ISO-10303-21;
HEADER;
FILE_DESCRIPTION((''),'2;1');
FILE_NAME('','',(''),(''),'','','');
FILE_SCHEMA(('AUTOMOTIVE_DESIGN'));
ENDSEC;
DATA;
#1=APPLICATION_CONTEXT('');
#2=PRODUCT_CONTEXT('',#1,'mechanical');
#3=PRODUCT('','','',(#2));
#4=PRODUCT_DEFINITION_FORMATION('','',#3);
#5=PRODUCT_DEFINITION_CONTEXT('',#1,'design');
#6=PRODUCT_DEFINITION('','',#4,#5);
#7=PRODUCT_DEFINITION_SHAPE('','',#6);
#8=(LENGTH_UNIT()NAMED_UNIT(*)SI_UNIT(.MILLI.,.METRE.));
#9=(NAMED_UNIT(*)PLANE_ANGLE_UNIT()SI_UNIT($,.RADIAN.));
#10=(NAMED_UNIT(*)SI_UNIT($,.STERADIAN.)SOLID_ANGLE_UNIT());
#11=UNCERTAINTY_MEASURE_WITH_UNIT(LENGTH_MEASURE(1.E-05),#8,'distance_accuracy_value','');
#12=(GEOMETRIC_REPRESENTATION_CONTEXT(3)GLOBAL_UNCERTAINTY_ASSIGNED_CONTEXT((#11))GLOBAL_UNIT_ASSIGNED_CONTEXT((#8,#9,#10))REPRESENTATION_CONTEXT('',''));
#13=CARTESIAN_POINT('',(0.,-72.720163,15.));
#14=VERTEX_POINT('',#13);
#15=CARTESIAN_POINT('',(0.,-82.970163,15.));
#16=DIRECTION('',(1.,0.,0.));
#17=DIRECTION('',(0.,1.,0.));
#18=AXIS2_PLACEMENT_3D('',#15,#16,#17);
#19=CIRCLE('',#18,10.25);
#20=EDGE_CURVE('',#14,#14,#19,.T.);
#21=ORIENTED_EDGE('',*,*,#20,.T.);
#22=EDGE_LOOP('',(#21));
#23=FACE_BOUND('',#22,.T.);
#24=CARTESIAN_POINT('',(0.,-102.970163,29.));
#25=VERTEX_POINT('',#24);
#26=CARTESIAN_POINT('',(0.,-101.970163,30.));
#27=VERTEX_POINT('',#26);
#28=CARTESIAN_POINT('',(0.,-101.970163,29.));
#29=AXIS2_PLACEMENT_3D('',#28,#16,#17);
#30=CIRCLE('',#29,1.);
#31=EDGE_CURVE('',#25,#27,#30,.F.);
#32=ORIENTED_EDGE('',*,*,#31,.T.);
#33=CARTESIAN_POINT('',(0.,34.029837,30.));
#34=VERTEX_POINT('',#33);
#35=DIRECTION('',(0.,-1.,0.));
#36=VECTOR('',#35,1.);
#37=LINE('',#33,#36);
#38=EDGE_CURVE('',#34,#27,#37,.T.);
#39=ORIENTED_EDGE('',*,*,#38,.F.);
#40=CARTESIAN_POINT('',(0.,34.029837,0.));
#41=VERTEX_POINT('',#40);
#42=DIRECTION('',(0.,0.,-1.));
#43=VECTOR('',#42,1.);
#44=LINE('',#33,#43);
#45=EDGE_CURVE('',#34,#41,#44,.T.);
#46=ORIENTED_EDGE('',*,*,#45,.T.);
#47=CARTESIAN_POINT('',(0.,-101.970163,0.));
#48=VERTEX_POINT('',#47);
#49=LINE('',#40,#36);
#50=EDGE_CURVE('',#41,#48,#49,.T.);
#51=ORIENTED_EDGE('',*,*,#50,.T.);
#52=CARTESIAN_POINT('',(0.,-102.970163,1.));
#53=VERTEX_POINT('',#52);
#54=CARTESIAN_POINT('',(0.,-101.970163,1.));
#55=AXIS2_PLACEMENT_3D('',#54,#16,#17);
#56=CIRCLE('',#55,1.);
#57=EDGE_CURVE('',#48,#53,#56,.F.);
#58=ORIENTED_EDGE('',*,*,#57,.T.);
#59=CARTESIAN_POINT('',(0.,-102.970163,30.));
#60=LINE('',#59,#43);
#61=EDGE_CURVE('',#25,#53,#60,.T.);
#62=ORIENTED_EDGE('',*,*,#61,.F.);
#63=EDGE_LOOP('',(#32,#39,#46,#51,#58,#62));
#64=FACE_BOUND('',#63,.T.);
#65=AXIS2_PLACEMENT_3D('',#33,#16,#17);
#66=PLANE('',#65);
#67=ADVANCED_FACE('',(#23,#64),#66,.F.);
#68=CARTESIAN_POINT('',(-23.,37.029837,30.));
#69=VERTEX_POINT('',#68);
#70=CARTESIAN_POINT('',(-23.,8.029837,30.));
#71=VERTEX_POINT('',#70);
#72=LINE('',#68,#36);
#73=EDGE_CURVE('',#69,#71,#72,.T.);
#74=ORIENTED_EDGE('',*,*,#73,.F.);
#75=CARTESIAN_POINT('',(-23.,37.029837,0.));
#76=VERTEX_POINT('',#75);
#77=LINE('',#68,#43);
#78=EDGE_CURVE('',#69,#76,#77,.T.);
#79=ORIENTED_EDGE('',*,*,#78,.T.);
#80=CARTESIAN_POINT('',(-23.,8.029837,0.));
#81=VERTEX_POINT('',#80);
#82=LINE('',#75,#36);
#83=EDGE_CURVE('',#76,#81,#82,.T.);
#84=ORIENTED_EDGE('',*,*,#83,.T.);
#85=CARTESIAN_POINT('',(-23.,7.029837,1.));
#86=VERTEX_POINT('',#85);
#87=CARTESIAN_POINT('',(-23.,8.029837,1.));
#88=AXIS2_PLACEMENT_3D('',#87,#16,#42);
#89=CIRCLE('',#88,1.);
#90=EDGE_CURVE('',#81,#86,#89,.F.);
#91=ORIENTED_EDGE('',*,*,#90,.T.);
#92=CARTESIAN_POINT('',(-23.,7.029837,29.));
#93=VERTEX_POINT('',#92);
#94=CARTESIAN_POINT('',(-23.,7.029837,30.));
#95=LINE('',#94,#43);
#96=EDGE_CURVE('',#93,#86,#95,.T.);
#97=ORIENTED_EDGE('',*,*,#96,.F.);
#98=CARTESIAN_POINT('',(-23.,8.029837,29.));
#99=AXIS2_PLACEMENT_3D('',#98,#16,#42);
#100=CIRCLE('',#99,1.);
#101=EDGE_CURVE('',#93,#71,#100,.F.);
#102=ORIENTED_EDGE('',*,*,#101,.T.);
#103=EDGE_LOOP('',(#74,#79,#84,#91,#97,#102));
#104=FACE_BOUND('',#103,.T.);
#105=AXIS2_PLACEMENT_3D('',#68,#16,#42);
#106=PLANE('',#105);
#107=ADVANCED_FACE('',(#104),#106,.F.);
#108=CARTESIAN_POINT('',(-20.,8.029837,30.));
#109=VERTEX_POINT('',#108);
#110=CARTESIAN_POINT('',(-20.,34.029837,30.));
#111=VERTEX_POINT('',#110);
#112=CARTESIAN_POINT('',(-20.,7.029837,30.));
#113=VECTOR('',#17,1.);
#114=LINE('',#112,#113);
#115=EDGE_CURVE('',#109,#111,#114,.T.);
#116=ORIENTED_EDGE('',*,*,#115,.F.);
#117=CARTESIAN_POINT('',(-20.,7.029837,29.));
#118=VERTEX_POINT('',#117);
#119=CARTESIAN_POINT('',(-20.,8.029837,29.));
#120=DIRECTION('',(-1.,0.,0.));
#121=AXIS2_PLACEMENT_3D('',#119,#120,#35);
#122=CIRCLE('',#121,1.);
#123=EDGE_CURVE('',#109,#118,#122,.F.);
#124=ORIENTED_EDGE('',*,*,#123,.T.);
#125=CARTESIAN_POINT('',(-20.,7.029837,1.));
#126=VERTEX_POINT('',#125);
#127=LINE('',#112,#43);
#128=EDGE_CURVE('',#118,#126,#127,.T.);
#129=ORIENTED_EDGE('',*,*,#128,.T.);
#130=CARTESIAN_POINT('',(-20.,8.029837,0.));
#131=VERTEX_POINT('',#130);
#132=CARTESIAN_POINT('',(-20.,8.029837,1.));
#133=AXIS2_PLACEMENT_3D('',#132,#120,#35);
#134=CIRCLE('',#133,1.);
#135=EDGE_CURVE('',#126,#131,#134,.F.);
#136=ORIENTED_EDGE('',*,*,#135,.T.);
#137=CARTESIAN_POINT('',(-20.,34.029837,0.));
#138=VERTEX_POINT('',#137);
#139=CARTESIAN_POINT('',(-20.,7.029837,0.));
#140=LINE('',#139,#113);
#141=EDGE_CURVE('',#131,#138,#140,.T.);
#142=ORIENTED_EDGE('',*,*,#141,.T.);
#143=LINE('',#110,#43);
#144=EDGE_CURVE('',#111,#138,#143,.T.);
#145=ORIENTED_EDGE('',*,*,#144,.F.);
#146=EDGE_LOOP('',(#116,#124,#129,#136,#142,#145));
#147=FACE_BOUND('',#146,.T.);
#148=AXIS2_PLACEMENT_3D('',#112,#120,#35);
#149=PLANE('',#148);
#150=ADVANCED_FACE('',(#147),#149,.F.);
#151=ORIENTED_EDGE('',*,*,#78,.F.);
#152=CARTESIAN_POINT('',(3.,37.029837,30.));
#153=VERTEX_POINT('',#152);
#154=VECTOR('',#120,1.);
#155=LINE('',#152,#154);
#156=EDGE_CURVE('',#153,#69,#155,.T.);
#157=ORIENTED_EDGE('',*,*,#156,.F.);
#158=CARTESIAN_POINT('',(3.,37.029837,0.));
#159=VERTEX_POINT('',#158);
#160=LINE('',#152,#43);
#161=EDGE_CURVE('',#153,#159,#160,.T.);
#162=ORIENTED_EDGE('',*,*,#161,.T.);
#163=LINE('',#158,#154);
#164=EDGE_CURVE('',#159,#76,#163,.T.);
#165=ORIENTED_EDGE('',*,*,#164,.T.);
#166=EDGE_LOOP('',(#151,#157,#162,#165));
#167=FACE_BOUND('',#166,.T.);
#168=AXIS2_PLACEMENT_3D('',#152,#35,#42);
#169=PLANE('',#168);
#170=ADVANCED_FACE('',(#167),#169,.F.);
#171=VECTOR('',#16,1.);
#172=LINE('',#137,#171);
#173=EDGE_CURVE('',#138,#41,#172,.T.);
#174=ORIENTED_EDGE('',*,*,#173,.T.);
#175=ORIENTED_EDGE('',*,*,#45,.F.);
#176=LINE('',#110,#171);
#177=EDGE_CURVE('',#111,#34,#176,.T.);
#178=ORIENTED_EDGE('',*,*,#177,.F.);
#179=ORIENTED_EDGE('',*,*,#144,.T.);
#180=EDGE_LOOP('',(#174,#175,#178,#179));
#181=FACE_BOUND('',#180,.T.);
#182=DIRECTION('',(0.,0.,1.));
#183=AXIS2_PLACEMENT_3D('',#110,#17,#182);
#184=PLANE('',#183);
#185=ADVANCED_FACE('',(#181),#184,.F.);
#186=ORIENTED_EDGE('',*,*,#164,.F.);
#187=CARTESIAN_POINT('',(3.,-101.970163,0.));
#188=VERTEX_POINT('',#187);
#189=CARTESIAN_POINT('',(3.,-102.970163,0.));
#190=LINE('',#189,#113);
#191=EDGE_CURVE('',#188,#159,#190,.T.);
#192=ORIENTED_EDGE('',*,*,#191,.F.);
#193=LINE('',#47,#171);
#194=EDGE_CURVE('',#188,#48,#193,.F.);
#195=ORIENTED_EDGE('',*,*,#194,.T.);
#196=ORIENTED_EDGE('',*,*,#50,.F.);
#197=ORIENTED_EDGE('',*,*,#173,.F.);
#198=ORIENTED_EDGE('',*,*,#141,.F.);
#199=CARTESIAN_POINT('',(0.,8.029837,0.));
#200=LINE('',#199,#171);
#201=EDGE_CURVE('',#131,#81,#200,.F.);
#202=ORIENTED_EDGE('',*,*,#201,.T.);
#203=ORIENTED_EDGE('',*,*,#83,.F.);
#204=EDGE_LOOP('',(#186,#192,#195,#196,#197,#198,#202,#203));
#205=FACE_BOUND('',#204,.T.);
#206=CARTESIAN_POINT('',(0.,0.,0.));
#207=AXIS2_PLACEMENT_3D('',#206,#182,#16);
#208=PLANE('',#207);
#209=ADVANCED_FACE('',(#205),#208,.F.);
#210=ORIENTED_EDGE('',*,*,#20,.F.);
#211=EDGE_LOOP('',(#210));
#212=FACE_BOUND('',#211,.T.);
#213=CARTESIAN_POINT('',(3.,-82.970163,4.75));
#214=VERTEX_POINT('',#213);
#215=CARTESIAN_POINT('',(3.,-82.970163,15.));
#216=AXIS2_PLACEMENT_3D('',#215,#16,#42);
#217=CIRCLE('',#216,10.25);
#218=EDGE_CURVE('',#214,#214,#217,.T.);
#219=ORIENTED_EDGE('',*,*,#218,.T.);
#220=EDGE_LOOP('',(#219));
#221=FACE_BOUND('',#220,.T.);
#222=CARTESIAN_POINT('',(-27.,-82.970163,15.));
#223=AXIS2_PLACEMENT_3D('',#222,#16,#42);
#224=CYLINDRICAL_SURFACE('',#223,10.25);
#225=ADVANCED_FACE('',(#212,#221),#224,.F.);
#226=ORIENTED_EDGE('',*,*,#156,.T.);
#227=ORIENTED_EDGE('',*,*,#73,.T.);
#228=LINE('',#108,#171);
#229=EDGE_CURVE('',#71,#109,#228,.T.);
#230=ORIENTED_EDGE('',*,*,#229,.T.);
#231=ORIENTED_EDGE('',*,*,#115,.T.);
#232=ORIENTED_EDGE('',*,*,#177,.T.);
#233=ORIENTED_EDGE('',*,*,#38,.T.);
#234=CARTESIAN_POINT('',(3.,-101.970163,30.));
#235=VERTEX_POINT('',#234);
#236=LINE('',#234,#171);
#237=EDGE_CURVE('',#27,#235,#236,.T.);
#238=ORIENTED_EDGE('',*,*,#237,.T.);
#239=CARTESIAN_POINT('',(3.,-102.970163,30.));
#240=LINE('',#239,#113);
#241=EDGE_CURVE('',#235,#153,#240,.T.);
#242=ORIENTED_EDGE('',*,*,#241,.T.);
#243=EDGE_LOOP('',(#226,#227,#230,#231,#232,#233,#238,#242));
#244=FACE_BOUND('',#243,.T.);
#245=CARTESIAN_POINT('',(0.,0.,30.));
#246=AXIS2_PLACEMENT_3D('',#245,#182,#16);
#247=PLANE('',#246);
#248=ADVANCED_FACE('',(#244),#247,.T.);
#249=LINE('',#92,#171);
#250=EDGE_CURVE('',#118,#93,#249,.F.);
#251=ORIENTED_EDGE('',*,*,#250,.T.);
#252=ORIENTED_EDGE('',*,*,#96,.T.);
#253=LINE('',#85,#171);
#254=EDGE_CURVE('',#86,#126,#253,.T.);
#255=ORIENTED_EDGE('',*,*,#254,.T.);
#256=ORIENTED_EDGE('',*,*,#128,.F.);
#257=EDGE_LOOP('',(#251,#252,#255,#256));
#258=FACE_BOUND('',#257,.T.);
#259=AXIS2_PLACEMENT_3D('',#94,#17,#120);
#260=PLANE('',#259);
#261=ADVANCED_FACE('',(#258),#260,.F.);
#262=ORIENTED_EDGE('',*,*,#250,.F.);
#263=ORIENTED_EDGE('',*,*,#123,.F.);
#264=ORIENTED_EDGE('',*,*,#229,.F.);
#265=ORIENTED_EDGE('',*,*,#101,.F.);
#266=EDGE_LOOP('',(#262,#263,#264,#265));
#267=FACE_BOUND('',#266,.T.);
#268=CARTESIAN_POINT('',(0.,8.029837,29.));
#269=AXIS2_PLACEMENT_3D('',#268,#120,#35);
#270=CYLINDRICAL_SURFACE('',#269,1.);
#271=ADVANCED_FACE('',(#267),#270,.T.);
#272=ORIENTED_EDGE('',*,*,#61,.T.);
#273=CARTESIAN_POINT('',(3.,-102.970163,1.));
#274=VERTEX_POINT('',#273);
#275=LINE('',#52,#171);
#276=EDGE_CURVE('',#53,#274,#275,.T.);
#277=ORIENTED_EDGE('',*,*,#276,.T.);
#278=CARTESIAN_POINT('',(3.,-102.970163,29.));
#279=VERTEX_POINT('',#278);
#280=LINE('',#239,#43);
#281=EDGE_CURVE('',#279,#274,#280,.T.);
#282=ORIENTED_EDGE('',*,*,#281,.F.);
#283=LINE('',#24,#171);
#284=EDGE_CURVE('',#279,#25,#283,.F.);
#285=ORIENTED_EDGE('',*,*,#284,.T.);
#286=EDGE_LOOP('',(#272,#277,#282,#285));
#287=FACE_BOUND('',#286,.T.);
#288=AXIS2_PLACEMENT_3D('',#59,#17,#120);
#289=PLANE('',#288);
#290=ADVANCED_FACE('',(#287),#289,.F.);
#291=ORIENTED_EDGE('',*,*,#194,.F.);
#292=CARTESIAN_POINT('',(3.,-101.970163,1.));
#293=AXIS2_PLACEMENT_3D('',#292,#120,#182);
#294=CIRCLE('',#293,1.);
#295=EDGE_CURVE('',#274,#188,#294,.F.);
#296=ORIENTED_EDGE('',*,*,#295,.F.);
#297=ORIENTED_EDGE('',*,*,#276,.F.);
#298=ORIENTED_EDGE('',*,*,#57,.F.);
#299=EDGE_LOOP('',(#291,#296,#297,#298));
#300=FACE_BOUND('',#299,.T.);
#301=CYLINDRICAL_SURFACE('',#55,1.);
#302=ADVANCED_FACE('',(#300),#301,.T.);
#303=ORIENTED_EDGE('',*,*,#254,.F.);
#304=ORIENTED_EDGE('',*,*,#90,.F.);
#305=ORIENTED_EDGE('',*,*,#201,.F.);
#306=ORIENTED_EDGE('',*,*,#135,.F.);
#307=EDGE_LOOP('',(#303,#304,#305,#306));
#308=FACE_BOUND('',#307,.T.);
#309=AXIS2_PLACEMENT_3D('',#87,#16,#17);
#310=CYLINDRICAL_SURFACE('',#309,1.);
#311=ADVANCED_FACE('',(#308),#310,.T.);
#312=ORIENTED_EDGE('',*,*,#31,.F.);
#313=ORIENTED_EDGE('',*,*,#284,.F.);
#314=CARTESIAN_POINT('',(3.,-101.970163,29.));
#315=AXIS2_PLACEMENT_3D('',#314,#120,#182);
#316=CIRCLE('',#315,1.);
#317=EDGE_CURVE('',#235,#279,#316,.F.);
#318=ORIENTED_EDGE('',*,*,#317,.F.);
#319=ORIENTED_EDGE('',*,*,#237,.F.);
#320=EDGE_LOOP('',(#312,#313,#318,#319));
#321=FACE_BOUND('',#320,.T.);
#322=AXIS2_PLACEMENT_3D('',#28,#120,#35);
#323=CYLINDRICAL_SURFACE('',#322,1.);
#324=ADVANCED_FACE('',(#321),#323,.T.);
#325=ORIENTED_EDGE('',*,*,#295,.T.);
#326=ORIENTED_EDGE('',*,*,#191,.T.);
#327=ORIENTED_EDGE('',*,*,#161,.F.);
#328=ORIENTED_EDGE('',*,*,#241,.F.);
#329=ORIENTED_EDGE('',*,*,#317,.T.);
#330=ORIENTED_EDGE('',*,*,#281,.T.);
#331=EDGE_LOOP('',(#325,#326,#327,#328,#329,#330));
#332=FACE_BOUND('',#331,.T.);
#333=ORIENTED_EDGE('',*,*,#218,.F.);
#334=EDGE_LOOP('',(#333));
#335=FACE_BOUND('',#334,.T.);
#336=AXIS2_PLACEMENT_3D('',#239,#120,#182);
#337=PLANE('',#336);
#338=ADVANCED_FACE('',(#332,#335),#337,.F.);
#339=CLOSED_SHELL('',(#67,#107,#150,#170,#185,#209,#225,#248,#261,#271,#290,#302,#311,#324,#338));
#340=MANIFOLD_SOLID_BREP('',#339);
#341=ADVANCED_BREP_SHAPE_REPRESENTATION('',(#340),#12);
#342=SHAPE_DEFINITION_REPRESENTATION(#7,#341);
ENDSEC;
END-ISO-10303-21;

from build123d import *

# Parameters (mm, degrees)
EXTRUDE_1_DEPTH     = 30
SKETCH_2_R          = 10.25
CUT_EXTRUDE_1_DEPTH = 30
FILLET_2_R          = 1
FILLET_3_R          = 1
FILLET_4_R          = 1
FILLET_5_R          = 1


with BuildPart() as part:
    # Эскиз1 → Бобышка-Вытянуть1 (new body)
    with BuildSketch(Plane.XY):
        Polygon((-20, 7.029837238), (-20, 34.029837238), (0, 34.029837238), (0, -102.970162762), (3, -102.970162762), (3, 37.029837238), (-23, 37.029837238), (-23, 7.029837238), align=None)
    extrude(amount=EXTRUDE_1_DEPTH)

    # Эскиз2 → Вырез-Вытянуть1 (cut)
    with BuildSketch(Plane(origin=(3, 0, 0), x_dir=(0, 0, -1), z_dir=(1, 0, 0))):
        with Locations((-15, -82.970162762)):
            Circle(SKETCH_2_R)
    extrude(amount=-CUT_EXTRUDE_1_DEPTH, mode=Mode.SUBTRACT)

    # Скругление2
    fillet_2_edges = [part.edges().sort_by_distance(p)[0] for p in [
        (1.5, -102.970162762, 30),
    ]]
    fillet(fillet_2_edges, radius=FILLET_2_R)

    # Скругление3
    fillet_3_edges = [part.edges().sort_by_distance(p)[0] for p in [
        (1.5, -102.970162762, 0),
    ]]
    fillet(fillet_3_edges, radius=FILLET_3_R)

    # Скругление4
    fillet_4_edges = [part.edges().sort_by_distance(p)[0] for p in [
        (-21.5, 7.029837238, 30),
    ]]
    fillet(fillet_4_edges, radius=FILLET_4_R)

    # Скругление5
    fillet_5_edges = [part.edges().sort_by_distance(p)[0] for p in [
        (-21.5, 7.029837238, 0),
    ]]
    fillet(fillet_5_edges, radius=FILLET_5_R)


solid = part.part
